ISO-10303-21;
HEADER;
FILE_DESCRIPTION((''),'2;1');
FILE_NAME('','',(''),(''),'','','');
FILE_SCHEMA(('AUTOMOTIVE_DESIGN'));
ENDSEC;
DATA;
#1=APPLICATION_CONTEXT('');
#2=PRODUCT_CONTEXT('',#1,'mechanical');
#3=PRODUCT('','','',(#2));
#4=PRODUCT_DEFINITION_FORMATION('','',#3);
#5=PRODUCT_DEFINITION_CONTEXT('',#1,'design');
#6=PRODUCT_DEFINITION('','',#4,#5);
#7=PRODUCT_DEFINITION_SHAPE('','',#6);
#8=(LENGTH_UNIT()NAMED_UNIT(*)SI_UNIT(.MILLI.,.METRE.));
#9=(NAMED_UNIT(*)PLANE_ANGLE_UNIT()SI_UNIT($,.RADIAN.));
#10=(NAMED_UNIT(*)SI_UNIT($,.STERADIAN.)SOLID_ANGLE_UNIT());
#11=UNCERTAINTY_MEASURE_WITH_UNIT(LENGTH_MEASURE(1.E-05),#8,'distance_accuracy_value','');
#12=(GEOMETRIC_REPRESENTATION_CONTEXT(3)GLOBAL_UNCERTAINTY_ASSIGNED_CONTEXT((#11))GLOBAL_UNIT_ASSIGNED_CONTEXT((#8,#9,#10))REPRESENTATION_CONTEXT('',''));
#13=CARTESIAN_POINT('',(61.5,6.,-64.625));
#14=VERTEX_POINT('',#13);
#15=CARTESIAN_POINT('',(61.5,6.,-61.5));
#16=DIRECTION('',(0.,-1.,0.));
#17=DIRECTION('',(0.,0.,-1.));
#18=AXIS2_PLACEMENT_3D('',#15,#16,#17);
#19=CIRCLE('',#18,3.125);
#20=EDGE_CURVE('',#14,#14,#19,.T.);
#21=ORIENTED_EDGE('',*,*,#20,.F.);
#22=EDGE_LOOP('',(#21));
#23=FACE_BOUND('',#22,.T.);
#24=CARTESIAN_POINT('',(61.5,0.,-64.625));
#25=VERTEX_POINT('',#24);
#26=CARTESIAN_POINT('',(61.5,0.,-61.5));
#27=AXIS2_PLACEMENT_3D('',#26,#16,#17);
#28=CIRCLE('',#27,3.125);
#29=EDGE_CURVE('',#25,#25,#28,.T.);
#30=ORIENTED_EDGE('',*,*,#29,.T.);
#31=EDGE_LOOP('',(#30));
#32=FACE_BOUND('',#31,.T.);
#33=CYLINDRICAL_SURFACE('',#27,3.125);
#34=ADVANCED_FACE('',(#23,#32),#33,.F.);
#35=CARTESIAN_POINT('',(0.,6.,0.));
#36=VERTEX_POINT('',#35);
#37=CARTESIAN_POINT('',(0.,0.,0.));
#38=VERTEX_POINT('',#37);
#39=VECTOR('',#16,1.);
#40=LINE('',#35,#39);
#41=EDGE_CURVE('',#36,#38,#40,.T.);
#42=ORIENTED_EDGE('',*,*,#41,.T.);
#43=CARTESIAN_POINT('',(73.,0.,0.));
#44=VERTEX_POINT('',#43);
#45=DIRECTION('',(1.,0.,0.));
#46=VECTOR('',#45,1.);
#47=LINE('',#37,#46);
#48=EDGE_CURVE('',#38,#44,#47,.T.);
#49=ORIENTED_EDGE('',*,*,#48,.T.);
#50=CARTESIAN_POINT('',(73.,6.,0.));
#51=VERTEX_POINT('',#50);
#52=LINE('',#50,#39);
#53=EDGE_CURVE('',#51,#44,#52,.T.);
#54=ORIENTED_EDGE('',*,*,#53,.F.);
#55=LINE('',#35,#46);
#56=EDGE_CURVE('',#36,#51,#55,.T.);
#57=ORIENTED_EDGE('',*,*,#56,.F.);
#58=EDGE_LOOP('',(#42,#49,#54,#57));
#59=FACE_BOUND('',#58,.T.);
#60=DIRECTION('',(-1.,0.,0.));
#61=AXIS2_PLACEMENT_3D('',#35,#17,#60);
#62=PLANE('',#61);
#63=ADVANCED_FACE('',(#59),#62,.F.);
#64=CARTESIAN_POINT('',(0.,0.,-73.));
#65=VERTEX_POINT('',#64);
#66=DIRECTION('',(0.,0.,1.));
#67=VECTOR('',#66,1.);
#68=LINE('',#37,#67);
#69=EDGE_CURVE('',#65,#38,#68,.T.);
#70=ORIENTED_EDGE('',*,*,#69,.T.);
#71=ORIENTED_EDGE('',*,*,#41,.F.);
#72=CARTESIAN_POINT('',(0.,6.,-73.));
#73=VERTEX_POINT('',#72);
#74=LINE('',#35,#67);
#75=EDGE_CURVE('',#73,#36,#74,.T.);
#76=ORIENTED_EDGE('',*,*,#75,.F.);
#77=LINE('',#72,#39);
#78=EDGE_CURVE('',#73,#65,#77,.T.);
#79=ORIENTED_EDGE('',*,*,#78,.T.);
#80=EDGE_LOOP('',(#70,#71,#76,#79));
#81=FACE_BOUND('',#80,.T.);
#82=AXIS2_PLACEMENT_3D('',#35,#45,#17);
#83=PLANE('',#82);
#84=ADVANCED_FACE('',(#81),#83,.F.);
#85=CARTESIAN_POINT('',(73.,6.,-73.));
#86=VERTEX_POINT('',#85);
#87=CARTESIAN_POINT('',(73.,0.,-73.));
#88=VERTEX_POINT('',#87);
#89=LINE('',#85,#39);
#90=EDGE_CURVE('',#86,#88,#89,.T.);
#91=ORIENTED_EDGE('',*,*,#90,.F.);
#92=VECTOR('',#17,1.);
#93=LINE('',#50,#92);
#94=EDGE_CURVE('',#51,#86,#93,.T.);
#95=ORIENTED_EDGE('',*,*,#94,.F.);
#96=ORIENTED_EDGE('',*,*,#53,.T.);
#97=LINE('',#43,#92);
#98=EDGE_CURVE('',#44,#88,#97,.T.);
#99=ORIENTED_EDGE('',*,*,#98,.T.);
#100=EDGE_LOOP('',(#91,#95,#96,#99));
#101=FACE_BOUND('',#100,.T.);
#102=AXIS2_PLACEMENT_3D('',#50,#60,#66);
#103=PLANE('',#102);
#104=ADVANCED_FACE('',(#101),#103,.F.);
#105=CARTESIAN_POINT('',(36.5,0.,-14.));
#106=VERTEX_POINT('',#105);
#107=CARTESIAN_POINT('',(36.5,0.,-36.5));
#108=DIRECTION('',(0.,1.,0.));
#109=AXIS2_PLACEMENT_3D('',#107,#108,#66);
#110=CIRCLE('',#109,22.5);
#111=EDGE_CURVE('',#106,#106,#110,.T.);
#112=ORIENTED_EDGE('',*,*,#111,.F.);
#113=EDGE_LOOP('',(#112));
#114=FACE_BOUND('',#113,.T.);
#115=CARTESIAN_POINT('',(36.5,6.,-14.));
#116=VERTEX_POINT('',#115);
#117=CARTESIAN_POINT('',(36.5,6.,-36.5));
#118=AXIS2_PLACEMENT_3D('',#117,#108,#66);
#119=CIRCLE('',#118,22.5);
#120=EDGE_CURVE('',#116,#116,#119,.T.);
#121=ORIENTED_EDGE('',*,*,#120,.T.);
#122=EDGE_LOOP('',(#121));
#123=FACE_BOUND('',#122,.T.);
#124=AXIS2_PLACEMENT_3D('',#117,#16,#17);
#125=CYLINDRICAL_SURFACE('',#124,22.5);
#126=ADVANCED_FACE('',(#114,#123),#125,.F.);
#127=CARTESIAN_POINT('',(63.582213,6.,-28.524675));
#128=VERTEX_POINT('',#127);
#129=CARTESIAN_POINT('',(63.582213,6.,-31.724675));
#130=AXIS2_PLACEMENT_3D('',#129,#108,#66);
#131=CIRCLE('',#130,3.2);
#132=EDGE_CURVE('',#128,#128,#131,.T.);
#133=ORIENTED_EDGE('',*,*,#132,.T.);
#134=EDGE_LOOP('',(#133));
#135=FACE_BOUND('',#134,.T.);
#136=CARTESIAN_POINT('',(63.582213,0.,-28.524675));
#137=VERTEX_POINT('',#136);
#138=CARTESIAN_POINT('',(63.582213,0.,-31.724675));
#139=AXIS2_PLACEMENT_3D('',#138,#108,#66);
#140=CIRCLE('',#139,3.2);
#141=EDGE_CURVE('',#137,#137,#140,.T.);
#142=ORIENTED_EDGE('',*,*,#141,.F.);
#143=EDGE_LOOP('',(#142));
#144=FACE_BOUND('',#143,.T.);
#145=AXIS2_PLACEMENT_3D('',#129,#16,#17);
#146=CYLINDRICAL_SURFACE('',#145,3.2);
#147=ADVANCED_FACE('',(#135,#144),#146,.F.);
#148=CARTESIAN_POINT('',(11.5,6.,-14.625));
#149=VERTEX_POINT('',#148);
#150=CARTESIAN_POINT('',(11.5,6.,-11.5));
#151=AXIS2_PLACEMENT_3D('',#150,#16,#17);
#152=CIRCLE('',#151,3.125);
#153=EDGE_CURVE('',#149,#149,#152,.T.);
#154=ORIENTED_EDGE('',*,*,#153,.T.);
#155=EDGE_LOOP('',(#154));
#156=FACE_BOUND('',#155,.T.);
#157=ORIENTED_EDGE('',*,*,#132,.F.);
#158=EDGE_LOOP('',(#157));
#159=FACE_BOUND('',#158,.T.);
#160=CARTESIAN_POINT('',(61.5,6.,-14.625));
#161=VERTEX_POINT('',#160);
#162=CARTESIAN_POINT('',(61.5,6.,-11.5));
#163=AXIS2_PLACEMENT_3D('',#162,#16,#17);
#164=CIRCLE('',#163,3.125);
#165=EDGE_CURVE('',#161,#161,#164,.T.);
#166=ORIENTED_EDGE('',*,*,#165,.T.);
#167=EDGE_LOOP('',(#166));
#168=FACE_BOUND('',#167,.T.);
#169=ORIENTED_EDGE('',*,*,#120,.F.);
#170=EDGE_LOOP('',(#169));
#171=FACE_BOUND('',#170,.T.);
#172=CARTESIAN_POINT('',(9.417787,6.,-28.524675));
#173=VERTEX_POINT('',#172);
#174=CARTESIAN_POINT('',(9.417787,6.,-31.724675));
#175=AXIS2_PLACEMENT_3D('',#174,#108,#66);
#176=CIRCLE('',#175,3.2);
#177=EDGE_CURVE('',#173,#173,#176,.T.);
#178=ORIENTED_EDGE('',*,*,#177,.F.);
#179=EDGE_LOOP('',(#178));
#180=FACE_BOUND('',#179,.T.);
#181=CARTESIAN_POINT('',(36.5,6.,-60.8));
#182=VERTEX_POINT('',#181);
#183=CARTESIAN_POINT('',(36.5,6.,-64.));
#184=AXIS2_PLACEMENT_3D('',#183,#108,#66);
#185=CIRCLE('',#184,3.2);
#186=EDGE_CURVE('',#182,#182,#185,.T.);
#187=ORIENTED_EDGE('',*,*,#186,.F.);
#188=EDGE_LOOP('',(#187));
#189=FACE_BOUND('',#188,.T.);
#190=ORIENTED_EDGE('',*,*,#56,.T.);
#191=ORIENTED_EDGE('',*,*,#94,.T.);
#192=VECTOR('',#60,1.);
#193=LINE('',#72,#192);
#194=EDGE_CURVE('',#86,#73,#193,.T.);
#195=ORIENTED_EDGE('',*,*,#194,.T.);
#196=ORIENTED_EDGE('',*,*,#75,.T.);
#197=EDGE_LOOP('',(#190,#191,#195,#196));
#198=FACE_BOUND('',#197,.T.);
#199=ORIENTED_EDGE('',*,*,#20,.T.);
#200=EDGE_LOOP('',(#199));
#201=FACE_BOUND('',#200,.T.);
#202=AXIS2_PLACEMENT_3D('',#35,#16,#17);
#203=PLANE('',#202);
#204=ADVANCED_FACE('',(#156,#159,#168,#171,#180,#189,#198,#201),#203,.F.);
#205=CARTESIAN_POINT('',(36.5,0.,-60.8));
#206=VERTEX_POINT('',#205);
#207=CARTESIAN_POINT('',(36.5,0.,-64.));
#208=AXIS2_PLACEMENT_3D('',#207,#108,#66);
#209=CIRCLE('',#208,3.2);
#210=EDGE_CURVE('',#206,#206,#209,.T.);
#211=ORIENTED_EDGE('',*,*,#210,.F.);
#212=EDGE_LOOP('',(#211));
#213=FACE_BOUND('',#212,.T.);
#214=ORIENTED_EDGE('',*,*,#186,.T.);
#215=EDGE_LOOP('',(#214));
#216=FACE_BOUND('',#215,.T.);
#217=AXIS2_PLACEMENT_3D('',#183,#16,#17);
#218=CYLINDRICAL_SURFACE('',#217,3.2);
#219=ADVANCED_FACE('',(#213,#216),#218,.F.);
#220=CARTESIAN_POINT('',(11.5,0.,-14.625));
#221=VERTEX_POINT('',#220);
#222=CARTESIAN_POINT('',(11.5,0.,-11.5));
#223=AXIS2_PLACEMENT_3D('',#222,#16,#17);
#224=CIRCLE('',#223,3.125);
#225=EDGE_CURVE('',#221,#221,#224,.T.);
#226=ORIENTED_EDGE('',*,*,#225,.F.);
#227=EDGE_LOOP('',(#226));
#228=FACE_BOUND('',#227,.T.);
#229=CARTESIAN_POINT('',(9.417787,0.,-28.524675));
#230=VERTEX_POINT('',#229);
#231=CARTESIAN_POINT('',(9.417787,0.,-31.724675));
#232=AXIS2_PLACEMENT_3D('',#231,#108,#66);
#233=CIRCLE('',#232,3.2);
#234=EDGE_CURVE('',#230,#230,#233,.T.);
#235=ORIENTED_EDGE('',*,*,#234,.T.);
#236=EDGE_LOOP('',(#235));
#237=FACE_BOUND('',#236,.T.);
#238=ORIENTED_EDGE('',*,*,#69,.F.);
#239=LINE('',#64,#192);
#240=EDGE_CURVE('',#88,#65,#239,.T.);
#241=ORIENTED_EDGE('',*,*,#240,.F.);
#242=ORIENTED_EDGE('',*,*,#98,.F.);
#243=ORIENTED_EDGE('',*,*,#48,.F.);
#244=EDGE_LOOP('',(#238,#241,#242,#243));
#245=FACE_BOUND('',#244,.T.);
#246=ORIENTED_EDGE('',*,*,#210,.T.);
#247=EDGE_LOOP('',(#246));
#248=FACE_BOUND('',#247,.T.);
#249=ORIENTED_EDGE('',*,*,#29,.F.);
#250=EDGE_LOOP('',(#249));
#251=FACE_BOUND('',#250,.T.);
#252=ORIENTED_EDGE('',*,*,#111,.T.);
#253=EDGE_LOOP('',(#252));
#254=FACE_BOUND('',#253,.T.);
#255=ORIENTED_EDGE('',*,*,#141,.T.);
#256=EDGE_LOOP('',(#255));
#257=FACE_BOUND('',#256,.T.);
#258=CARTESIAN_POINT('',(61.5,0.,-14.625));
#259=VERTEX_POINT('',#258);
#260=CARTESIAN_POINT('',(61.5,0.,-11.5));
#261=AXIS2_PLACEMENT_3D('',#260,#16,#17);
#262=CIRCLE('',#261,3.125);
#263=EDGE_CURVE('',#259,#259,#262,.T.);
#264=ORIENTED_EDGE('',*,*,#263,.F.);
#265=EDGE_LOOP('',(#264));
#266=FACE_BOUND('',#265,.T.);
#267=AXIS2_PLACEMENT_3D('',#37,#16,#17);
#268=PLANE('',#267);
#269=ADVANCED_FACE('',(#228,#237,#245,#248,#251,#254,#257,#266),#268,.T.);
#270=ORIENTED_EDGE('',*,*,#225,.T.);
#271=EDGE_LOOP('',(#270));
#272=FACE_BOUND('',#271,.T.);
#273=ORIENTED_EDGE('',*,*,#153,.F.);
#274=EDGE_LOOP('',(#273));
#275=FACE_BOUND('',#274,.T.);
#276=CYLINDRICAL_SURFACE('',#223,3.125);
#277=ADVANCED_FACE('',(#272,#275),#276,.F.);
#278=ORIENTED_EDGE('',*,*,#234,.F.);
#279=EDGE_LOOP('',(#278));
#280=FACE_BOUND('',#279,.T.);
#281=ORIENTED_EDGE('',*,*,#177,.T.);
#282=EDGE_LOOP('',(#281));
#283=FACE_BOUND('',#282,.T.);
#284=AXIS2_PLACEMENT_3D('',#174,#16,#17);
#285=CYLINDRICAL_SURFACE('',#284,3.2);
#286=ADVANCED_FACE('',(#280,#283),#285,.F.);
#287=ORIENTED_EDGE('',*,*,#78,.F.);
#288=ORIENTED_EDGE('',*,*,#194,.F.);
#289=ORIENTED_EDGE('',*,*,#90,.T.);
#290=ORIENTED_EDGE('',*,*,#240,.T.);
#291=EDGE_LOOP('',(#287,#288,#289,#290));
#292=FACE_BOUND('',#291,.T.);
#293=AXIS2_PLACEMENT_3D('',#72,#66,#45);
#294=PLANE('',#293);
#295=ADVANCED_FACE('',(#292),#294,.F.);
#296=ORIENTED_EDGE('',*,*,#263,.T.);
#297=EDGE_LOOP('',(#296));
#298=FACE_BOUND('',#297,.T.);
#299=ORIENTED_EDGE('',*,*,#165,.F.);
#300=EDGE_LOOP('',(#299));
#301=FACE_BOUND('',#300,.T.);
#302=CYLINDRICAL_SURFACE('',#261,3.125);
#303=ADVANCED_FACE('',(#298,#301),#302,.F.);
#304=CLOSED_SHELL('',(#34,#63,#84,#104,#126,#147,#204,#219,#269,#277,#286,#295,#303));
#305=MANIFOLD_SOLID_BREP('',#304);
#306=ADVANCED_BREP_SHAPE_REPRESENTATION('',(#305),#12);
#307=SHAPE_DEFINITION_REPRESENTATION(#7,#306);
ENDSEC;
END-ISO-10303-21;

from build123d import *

# Parameters (mm, degrees)
SKETCH1_W                        = 73
SKETCH1_H                        = 73
SKETCH1_R                        = 3.2
SKETCH1_R_2                      = 22.5
BOSS_EXTRUDE1_DEPTH              = 6
TAP_DRILL_FOR_M6_HELICOIL1_D     = 6.25
TAP_DRILL_FOR_M6_HELICOIL1_DEPTH = 11.94
TAP_DRILL_FOR_M6_HELICOIL1_TIP   = 1.877689434


with BuildPart() as part:
    # Sketch1 → Boss-Extrude1 (new body)
    with BuildSketch(Plane(origin=(0, 0, 0), x_dir=(1, 0, 0), z_dir=(0, 1, 0))):
        with Locations((36.5, 36.5)):
            Rectangle(SKETCH1_W, SKETCH1_H)
        with Locations(Location((36.5, 64, 0), (0, 0, 270))):
            Circle(SKETCH1_R, mode=Mode.SUBTRACT)
        with Locations(Location((63.582213208, 31.724675114, 0), (0, 0, 270))):
            Circle(SKETCH1_R, mode=Mode.SUBTRACT)
        with Locations(Location((9.417786792, 31.724675114, 0), (0, 0, 270))):
            Circle(SKETCH1_R, mode=Mode.SUBTRACT)
        with Locations(Location((36.5, 36.5, 0), (0, 0, 270))):
            Circle(SKETCH1_R_2, mode=Mode.SUBTRACT)
    extrude(amount=BOSS_EXTRUDE1_DEPTH)

    # Tap Drill for M6 Helicoil1
    with Locations(Plane(origin=(0, 0, 0), x_dir=(-1, 0, 0), z_dir=(0, -1, 0))):
        with Locations((-11.5, 11.5), (-61.5, 11.5), (-61.5, 61.5)):
            Hole(TAP_DRILL_FOR_M6_HELICOIL1_D / 2, depth=TAP_DRILL_FOR_M6_HELICOIL1_DEPTH)
            with Locations((0, 0, -(TAP_DRILL_FOR_M6_HELICOIL1_DEPTH + TAP_DRILL_FOR_M6_HELICOIL1_TIP / 2))):  # 118° drill point
                Cone(0, TAP_DRILL_FOR_M6_HELICOIL1_D / 2, TAP_DRILL_FOR_M6_HELICOIL1_TIP, mode=Mode.SUBTRACT)


solid = part.part
